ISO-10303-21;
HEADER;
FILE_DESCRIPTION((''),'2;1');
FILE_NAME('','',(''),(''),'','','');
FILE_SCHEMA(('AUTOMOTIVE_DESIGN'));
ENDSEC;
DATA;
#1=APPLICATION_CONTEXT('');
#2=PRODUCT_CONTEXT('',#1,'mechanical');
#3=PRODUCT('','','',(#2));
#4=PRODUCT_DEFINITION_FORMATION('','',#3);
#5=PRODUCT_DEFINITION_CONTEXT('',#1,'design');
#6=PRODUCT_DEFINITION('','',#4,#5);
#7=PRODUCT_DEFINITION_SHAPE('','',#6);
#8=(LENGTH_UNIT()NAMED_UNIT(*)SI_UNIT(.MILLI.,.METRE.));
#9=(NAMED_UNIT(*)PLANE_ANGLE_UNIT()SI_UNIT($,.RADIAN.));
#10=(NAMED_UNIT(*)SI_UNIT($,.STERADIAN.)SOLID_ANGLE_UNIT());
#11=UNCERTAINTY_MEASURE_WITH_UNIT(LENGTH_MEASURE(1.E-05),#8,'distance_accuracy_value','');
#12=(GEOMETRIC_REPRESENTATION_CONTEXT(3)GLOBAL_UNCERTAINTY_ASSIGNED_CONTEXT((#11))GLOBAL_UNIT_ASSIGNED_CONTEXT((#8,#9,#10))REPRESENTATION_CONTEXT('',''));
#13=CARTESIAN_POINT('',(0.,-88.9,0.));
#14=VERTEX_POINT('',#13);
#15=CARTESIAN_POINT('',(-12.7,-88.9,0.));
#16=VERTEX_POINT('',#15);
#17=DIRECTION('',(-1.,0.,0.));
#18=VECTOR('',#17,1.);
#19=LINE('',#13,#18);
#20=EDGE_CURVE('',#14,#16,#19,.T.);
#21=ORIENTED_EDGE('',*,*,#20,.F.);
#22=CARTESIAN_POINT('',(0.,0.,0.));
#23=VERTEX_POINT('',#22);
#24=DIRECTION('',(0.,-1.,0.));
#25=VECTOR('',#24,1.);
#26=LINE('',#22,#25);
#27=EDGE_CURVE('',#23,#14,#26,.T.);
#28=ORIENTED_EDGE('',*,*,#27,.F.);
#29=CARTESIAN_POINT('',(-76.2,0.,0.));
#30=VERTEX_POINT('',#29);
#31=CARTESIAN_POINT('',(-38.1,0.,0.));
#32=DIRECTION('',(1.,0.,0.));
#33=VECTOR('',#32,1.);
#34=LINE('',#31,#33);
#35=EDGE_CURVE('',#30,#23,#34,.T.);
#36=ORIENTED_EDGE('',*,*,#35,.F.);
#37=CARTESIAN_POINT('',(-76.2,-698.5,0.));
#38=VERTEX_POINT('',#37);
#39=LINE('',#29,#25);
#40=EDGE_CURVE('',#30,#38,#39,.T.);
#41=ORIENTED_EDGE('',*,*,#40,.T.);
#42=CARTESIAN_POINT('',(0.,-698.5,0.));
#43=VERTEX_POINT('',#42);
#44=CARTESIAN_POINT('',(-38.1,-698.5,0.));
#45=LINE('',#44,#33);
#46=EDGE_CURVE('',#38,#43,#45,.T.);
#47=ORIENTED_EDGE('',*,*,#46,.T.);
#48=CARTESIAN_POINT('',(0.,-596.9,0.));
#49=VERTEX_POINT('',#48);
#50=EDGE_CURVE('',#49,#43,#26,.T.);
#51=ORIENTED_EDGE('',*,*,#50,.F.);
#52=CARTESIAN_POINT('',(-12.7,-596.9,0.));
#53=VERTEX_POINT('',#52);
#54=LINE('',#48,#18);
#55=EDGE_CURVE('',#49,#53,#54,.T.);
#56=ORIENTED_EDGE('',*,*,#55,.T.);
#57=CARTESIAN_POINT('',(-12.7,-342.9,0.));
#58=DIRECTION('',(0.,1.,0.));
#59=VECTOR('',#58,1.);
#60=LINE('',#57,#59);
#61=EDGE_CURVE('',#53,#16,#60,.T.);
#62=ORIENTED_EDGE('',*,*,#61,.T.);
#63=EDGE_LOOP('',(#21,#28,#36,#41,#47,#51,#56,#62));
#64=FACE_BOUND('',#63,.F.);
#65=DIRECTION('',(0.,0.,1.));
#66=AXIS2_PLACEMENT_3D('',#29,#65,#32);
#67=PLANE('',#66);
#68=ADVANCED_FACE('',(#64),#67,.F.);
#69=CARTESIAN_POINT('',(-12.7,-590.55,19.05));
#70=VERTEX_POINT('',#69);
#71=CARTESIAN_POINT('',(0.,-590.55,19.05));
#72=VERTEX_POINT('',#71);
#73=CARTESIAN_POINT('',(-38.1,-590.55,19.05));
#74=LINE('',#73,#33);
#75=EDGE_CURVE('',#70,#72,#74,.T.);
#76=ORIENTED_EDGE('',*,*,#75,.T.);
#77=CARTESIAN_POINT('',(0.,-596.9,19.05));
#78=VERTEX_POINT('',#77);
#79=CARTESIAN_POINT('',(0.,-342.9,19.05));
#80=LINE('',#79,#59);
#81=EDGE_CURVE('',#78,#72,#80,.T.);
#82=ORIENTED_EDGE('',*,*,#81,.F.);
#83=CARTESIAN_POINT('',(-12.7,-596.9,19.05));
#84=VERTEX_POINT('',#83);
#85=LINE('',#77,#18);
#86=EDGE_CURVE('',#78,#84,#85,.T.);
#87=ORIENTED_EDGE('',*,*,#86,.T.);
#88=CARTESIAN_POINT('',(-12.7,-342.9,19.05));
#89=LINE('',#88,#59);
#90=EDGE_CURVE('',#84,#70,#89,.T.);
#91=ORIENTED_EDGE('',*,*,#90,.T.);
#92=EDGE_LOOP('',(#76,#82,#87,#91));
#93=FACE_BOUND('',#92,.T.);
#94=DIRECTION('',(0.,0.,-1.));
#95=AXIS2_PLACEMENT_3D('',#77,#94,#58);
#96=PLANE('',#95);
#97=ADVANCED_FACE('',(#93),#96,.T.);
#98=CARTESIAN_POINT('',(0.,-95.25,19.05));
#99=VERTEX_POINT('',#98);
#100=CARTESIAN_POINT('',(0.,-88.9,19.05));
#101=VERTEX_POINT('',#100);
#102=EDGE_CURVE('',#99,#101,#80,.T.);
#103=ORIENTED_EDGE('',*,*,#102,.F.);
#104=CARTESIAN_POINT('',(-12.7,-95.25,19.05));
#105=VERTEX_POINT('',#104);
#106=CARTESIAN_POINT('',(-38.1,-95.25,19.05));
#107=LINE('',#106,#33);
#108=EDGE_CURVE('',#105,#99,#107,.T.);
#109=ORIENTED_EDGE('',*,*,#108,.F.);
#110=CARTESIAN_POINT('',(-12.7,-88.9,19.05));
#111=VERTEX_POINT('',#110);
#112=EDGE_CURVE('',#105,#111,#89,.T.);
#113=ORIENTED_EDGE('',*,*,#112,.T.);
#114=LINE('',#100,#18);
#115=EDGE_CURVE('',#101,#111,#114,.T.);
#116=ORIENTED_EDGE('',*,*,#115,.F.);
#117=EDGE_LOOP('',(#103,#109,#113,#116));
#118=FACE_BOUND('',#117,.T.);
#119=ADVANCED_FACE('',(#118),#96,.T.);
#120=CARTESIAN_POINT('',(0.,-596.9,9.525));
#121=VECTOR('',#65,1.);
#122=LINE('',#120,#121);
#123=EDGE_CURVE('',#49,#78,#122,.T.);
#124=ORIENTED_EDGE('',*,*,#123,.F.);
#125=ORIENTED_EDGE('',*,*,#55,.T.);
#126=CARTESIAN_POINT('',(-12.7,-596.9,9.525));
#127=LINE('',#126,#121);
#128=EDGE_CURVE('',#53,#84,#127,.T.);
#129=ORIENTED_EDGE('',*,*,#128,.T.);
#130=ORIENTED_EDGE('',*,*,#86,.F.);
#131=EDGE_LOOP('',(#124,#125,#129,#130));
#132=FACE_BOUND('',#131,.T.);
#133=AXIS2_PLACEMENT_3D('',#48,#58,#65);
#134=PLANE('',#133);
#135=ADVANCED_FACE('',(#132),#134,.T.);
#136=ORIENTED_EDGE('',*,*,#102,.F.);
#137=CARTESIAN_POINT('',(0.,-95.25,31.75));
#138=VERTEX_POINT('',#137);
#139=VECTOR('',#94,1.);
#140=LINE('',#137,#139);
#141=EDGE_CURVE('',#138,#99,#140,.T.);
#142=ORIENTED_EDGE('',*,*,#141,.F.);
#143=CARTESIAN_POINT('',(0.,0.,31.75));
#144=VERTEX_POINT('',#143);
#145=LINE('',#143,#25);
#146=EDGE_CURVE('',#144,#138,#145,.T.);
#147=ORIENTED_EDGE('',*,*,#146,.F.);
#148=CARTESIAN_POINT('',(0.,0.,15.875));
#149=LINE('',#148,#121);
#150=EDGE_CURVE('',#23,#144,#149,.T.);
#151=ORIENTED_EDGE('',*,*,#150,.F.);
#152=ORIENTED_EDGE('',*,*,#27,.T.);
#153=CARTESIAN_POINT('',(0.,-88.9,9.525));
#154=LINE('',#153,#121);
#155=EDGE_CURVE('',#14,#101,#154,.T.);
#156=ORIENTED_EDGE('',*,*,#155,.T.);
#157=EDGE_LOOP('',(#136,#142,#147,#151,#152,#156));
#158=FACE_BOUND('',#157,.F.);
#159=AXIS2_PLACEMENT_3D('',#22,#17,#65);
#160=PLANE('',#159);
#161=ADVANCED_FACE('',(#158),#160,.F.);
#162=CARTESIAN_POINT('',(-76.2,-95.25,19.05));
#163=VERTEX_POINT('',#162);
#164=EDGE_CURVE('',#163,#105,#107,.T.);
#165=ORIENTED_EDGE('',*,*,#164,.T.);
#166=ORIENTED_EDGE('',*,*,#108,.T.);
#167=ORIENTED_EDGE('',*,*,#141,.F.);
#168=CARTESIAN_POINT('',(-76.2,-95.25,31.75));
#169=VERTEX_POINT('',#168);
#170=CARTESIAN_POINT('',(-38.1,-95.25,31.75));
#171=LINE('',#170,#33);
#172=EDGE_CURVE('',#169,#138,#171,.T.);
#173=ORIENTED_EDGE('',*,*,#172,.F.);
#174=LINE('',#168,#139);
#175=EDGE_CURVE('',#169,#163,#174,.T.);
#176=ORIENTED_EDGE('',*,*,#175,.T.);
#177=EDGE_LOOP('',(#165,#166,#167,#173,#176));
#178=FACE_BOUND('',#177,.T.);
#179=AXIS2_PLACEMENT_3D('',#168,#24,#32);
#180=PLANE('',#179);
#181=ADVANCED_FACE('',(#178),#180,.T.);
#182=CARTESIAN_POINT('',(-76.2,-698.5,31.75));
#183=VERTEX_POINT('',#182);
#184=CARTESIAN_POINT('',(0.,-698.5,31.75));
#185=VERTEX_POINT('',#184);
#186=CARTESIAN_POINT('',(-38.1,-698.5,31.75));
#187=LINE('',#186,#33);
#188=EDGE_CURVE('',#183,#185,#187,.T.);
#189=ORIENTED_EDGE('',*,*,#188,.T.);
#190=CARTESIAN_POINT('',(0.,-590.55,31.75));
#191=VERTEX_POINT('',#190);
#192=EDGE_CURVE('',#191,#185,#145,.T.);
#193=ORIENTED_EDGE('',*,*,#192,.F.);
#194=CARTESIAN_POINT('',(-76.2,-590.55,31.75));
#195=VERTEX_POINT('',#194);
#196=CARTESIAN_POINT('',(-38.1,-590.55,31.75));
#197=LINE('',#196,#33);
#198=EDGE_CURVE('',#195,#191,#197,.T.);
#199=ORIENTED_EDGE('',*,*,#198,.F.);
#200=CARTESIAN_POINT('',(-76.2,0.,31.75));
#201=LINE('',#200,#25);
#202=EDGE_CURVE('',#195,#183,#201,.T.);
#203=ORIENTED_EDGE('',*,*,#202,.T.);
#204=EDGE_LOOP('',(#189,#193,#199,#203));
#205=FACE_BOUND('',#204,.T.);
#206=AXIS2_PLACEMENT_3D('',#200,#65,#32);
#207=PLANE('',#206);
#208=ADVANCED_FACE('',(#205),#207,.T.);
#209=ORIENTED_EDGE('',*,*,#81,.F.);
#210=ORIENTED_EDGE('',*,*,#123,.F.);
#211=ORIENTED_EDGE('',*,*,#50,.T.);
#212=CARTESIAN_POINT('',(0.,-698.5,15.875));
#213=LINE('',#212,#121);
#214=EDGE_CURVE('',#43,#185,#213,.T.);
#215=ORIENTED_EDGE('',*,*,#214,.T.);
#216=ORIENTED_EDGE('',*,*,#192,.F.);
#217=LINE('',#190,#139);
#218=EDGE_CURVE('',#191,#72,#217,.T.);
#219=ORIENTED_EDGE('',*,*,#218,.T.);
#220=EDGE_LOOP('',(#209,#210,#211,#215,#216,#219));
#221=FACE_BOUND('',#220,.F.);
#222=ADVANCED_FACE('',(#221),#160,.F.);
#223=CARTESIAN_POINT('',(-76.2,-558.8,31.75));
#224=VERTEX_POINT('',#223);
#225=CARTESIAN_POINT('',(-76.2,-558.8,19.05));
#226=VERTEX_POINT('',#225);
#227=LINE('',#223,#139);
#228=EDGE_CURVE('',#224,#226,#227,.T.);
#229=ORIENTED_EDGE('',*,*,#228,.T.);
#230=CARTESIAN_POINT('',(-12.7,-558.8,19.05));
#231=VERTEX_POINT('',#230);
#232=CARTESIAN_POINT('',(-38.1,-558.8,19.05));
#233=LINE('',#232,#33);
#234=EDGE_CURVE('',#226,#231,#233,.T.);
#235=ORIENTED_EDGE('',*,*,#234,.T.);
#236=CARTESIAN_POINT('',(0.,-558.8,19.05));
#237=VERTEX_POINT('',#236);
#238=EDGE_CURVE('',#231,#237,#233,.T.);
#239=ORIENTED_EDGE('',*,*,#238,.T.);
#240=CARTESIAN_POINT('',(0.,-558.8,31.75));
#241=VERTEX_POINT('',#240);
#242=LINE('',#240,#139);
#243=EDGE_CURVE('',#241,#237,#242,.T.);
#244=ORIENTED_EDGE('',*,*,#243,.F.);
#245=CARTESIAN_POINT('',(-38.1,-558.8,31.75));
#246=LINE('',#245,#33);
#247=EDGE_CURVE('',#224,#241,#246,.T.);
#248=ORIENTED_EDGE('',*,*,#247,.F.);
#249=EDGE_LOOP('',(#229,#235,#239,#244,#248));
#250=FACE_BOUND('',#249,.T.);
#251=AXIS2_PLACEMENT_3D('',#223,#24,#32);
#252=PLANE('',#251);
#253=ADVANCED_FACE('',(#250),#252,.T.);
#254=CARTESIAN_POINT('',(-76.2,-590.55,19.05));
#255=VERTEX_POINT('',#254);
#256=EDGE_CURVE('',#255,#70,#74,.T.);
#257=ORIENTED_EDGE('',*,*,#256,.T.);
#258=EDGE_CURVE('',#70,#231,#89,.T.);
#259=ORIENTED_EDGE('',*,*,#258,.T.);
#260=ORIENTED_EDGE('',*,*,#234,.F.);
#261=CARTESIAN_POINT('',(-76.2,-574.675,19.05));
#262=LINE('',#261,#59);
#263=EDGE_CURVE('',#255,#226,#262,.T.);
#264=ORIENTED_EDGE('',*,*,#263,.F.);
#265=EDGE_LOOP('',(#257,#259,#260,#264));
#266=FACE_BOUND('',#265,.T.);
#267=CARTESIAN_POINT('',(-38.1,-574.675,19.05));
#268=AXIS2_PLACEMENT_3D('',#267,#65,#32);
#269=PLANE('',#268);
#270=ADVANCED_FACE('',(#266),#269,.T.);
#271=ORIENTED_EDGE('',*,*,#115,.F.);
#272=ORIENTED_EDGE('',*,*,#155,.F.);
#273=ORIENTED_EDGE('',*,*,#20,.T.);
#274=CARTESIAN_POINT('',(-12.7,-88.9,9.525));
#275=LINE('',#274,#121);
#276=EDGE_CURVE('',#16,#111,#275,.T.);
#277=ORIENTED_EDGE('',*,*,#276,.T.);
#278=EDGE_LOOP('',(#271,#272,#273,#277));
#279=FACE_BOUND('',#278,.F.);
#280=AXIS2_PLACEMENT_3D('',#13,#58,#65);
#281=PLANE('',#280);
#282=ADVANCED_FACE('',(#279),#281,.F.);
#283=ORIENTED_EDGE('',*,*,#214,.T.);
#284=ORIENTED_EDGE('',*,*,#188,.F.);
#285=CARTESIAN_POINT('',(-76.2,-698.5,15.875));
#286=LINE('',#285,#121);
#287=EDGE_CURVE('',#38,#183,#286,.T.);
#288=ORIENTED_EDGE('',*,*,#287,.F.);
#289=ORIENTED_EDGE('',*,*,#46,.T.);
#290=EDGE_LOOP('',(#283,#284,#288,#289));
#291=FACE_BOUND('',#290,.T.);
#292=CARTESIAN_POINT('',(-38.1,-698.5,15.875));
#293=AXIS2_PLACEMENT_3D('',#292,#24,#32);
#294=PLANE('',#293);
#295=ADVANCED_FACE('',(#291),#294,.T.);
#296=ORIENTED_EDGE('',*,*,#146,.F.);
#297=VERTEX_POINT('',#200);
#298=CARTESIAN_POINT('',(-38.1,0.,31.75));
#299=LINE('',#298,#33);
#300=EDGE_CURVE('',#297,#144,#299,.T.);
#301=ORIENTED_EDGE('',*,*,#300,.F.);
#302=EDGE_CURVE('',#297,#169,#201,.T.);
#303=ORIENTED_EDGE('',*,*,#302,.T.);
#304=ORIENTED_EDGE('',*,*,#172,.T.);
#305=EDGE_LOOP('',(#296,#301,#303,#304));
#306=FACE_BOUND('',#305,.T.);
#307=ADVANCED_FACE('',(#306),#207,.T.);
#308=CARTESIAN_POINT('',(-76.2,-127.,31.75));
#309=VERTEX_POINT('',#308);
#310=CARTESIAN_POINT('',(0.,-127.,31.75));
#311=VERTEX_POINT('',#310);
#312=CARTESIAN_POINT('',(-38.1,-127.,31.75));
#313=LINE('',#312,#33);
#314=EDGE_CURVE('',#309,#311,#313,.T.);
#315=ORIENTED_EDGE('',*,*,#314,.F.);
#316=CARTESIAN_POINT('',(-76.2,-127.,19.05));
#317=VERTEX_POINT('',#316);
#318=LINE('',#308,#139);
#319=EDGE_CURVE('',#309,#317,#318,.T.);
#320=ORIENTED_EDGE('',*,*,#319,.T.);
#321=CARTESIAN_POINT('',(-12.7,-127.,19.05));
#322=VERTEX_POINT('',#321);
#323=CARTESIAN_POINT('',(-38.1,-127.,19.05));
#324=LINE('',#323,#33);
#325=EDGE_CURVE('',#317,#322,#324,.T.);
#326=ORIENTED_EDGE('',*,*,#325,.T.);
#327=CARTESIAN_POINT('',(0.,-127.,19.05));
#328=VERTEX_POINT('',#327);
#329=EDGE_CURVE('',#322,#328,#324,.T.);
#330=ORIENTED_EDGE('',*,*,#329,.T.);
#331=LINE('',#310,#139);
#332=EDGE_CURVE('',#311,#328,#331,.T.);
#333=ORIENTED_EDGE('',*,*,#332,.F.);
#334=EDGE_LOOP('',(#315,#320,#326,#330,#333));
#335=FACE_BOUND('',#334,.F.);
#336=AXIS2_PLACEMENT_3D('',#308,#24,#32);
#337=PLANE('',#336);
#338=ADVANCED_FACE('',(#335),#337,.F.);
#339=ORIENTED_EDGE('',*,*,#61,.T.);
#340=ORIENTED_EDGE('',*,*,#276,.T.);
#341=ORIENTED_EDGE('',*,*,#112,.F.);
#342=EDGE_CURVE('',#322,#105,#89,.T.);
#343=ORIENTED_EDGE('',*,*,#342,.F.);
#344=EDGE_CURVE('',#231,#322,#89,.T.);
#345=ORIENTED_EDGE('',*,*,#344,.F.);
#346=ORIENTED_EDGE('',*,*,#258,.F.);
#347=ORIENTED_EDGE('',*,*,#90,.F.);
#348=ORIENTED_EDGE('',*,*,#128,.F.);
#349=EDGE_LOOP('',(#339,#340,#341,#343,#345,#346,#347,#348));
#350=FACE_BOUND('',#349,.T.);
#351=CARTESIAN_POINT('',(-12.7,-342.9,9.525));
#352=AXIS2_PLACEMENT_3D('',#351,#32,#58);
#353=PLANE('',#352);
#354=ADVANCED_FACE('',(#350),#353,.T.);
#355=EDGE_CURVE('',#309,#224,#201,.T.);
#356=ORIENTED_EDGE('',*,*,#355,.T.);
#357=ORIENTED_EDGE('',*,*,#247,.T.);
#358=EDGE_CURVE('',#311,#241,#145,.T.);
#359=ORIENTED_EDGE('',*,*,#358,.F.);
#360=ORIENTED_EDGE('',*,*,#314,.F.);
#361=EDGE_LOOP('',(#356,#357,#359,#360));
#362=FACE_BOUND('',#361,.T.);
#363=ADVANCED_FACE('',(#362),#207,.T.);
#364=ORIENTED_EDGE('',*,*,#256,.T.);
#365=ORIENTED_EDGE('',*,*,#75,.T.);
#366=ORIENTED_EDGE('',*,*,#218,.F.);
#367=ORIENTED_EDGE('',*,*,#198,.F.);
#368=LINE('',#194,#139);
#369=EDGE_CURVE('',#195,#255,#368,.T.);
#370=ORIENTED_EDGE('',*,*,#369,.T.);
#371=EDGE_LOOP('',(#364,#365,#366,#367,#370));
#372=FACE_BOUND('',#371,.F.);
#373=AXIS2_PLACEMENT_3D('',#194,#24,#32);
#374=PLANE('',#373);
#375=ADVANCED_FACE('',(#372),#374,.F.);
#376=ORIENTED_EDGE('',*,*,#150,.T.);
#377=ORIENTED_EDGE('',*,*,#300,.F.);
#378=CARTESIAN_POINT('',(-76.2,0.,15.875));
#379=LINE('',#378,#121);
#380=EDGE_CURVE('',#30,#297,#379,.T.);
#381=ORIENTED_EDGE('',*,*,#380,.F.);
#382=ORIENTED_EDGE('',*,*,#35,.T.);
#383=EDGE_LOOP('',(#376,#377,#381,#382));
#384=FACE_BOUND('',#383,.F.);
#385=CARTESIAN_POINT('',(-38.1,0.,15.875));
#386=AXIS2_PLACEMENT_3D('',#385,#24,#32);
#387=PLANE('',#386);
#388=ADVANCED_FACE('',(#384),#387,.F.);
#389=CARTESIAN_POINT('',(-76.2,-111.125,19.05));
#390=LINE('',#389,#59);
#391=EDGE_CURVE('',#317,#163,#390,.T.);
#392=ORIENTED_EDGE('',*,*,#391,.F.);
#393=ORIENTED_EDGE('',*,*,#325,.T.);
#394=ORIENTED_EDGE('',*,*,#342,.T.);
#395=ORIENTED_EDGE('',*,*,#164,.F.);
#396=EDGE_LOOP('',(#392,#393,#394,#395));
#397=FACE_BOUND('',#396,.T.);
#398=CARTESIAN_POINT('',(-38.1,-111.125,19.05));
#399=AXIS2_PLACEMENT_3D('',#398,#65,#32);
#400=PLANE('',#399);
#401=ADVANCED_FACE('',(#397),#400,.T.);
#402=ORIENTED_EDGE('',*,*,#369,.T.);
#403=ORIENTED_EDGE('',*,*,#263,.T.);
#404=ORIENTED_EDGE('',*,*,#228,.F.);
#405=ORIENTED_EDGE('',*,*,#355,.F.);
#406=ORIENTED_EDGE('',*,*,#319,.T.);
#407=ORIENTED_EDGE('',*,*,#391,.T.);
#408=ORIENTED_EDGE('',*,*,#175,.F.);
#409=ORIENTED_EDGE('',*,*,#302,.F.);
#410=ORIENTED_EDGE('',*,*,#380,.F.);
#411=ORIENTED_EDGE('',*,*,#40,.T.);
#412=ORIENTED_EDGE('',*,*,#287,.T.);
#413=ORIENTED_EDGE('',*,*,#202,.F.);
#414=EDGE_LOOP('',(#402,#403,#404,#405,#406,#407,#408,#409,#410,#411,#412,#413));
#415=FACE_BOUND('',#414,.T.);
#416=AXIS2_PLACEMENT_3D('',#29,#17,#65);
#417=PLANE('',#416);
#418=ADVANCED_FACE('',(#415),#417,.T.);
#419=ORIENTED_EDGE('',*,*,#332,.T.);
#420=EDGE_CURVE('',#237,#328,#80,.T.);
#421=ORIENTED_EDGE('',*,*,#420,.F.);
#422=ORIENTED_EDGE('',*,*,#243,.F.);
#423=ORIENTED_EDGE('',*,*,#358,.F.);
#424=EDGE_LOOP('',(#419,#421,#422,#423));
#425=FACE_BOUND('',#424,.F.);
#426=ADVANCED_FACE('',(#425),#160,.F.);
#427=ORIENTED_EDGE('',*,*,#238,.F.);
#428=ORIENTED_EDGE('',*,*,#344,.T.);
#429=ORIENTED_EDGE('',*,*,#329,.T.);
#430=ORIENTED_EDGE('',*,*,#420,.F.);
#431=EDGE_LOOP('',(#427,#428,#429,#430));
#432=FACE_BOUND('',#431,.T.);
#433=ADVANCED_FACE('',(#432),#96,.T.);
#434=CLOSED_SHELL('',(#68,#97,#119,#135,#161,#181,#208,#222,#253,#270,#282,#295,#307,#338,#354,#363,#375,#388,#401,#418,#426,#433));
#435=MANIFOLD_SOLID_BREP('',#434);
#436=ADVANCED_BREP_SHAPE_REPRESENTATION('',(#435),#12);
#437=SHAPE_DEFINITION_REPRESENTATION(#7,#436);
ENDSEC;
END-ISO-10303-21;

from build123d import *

# Parameters (mm, degrees)
F0_W     = 76.2
F0_H     = 31.75
F1_DEPTH = 698.5
F2_W     = 508
F2_H     = 19.05
F3_DEPTH = 12.7
F4_W     = 76.2
F4_H     = 31.75
F5_DEPTH = 12.7


with BuildPart() as f1:
    # F0 (on Front) → F1 (new body)
    with BuildSketch(Plane.XZ):
        with Locations((-38.1, 15.875)):
            Rectangle(F0_W, F0_H)
    extrude(amount=F1_DEPTH)

    # F2 (on face) → F3 (cut)
    with BuildSketch(Plane.YZ):
        with Locations((-342.9, 9.525)):
            Rectangle(F2_W, F2_H)
    extrude(amount=-F3_DEPTH, mode=Mode.SUBTRACT)

    # F4 (on face) → F5 (cut)
    with BuildSketch(Plane.XY.offset(31.75)):
        with Locations((-38.1, -574.675)):
            Rectangle(F4_W, F4_H)
        with Locations((-38.1, -111.125)):
            Rectangle(F4_W, F4_H)
    extrude(amount=-F5_DEPTH, mode=Mode.SUBTRACT)


solid = f1.part
